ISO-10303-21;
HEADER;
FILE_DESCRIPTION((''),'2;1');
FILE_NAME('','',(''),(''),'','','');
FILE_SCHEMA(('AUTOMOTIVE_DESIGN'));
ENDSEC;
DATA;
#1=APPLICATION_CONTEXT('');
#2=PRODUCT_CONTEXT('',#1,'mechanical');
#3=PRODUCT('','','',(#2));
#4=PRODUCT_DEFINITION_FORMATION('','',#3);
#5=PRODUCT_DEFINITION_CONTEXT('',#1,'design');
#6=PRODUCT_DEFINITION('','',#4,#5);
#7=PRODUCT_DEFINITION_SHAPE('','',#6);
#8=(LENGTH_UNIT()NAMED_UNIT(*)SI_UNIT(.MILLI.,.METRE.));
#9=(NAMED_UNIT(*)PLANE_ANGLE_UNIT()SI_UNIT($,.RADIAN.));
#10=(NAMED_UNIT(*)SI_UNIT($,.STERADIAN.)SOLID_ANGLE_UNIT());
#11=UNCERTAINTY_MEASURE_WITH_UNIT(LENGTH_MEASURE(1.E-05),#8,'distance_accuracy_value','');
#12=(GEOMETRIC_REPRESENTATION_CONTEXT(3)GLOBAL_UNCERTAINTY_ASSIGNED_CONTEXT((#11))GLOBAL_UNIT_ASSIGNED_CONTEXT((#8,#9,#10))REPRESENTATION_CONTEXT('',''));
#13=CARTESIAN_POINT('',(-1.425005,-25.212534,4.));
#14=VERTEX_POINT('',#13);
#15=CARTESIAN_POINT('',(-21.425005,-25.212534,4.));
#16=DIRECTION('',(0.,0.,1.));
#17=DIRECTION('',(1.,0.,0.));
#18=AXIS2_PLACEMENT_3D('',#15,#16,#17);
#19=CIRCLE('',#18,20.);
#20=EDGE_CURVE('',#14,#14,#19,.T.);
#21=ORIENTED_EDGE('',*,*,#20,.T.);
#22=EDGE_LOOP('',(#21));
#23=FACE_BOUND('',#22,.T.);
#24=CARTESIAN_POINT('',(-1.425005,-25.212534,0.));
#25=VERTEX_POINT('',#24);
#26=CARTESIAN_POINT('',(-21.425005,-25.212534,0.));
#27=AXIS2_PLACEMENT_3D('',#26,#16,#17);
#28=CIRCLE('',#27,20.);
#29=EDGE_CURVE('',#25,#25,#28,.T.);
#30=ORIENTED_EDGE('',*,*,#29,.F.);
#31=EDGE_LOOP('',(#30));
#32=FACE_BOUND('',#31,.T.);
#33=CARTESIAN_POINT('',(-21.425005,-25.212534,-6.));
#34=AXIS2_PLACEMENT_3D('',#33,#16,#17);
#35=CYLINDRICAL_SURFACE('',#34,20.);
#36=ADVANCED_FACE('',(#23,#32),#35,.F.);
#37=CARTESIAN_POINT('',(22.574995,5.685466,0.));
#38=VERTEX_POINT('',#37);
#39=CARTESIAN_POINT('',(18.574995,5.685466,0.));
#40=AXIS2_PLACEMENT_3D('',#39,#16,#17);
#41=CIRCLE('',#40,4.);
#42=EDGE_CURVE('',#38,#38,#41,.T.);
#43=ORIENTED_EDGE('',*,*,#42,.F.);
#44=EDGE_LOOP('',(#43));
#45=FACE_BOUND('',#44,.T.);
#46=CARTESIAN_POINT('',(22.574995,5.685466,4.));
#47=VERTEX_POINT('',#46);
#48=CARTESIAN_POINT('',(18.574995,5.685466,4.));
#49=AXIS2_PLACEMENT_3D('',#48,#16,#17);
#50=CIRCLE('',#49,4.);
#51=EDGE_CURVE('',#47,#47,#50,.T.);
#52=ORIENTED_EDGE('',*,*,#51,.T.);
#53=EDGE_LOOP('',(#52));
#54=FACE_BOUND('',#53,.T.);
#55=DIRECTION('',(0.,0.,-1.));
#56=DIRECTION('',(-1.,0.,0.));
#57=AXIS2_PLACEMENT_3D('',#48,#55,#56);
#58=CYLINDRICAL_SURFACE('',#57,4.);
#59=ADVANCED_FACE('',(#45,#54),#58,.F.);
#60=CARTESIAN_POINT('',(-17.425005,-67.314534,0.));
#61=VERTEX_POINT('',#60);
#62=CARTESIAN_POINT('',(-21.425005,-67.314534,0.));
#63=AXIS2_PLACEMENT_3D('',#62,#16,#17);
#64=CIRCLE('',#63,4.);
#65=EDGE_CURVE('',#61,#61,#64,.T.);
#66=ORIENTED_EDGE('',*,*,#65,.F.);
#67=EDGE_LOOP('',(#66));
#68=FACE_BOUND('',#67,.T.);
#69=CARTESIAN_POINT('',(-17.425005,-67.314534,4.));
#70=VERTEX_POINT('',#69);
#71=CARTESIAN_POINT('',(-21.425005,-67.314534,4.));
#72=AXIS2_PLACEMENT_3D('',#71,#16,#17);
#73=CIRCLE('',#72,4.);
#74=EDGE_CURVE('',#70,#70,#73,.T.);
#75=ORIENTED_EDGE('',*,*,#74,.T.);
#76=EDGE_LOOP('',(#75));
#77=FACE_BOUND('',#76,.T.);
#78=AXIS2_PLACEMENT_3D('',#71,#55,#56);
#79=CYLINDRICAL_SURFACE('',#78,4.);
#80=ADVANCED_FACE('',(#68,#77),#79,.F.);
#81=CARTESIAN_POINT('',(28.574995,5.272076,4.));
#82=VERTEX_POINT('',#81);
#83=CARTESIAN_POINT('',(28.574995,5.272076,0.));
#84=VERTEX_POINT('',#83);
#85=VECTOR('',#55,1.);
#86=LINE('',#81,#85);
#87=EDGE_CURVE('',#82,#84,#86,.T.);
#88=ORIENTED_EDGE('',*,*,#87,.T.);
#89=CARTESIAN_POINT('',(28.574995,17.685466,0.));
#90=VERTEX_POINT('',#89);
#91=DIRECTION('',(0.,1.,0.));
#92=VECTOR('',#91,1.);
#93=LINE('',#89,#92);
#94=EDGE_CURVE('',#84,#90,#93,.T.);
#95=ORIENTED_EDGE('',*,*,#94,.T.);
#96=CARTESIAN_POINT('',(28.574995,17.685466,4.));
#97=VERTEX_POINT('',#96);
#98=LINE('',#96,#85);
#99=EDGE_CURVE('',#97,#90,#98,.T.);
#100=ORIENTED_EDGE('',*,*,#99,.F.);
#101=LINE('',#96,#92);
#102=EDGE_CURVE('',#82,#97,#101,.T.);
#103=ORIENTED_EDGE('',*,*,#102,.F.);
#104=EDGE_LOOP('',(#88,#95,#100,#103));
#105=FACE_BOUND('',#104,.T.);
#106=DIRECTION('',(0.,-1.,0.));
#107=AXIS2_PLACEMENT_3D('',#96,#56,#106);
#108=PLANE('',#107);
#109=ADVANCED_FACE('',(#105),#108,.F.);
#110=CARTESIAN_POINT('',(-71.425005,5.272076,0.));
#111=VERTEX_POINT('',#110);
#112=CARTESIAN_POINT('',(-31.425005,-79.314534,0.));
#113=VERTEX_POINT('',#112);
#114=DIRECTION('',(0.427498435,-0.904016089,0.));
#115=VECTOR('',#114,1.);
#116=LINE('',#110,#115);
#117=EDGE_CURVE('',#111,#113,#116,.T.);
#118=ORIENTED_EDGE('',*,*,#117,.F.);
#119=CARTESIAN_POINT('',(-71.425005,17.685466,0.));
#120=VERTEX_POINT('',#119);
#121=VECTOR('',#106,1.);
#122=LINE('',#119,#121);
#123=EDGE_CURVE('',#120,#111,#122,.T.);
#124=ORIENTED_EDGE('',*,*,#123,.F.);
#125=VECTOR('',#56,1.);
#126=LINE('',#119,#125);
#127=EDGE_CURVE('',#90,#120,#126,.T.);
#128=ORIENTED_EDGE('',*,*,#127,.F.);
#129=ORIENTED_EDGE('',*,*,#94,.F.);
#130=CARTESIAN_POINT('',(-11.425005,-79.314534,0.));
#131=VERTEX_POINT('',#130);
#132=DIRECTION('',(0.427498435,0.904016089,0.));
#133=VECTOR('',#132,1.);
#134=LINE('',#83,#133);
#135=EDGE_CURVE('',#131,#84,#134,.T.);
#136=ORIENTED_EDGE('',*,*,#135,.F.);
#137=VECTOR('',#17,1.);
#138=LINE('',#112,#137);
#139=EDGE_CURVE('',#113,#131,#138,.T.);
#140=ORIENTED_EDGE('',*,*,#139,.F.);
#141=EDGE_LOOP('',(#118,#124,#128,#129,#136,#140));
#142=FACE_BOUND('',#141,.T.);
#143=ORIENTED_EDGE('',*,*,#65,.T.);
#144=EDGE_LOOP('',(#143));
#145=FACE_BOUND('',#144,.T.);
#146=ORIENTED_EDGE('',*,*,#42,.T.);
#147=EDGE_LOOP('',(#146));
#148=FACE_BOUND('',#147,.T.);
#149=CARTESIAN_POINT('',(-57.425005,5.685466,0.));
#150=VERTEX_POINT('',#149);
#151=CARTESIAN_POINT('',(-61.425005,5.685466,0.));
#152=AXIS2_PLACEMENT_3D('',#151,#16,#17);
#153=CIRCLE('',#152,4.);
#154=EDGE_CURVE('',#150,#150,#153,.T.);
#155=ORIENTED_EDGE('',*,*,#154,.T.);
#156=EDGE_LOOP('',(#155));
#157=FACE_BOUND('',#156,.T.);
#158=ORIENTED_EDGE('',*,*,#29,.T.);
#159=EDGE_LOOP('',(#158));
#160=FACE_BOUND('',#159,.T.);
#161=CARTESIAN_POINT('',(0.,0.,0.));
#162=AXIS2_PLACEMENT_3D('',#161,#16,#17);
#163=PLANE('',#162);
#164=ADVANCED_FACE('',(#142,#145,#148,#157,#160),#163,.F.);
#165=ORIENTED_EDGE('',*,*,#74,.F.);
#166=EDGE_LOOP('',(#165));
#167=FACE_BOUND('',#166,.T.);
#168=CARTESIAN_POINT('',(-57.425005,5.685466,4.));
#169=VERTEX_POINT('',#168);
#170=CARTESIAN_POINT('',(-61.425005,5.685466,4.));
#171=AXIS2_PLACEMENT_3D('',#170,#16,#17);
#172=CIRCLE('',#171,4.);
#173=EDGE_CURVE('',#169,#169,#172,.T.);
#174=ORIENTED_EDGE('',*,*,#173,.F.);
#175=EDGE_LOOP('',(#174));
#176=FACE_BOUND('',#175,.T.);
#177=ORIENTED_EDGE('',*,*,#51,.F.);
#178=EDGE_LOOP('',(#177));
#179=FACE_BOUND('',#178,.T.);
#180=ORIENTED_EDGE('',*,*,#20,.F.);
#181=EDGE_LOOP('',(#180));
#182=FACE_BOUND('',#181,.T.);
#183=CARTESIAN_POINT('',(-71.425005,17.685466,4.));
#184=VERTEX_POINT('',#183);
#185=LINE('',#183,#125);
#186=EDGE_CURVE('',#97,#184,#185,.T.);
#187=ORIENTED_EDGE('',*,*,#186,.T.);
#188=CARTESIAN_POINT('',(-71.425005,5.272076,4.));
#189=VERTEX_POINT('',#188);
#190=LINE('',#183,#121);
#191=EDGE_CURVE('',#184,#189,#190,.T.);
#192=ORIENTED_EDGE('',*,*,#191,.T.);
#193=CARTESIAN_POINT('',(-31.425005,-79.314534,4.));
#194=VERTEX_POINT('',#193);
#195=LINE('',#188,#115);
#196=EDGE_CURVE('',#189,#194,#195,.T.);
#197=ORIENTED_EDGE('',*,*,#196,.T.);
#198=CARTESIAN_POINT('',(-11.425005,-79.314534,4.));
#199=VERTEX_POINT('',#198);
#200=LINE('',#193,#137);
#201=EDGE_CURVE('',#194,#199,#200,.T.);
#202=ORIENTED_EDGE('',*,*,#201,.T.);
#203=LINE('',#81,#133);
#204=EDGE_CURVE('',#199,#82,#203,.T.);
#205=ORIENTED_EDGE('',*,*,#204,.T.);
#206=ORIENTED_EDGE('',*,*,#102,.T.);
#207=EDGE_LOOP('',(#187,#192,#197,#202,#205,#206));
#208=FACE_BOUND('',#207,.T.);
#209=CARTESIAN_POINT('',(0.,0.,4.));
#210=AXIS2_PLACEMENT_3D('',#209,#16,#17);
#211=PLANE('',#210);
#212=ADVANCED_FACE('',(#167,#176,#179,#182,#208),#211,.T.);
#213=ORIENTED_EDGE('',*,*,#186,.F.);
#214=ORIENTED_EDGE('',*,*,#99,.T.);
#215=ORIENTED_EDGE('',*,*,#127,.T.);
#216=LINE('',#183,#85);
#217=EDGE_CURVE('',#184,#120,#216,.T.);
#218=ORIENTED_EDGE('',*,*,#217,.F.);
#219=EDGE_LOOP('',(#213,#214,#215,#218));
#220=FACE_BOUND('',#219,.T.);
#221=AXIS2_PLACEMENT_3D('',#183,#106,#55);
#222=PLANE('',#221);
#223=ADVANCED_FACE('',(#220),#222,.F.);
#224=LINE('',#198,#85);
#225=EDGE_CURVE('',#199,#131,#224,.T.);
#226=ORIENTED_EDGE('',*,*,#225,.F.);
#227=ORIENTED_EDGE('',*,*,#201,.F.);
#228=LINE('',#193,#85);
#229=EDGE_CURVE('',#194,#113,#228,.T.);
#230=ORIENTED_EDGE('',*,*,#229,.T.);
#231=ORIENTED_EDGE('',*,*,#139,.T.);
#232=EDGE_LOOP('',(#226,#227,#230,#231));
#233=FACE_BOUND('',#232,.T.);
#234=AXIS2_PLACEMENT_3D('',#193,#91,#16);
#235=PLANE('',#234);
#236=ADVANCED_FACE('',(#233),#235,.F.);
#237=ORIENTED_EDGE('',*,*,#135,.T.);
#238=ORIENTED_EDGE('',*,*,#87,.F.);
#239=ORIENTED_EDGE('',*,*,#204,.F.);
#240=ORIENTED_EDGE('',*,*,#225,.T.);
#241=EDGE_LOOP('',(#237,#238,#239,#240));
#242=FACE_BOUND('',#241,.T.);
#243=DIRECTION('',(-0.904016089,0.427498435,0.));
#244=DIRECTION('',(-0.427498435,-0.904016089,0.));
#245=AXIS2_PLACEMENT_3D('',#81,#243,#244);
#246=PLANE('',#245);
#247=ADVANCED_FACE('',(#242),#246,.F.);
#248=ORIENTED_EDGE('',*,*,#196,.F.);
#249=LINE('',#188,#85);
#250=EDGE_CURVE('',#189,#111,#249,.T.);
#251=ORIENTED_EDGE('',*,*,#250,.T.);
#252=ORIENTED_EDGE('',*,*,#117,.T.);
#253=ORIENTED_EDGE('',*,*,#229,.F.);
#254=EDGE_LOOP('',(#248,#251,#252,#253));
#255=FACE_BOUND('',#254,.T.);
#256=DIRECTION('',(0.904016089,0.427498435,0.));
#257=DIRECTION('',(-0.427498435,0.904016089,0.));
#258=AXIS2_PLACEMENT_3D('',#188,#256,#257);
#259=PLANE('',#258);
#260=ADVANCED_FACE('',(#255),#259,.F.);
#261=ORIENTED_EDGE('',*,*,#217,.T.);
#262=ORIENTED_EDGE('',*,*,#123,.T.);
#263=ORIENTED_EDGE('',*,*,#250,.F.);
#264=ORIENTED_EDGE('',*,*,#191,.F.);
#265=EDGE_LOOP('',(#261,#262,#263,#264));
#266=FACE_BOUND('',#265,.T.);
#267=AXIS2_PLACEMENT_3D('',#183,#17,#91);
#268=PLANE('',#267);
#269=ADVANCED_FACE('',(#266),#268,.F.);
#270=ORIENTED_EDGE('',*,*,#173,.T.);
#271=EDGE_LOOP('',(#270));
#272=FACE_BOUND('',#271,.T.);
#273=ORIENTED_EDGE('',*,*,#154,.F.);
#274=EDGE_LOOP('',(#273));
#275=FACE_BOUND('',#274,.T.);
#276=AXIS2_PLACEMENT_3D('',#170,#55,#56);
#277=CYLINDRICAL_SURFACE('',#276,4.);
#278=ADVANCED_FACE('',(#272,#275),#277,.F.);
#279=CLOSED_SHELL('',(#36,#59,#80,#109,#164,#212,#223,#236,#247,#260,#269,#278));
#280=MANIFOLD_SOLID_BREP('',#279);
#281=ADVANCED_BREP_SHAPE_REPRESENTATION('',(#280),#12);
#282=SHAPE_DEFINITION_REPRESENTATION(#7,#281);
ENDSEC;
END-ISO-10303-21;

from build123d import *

# Parameters (mm, degrees)
SKETCH1_R           = 4
BOSS_EXTRUDE1_DEPTH = 4
SKETCH2_R           = 20
CUT_EXTRUDE1_DEPTH  = 10


with BuildPart() as part:
    # Sketch1 → Boss-Extrude1 (new body)
    with BuildSketch(Plane.XY):
        Polygon((-71.425004503, 17.68546584), (28.574995497, 17.68546584), (28.574995497, 5.27207622), (-11.425004503, -79.31453416), (-31.425004503, -79.31453416), (-71.425004503, 5.27207622), align=None)
        with Locations((-61.425004503, 5.68546584)):
            Circle(SKETCH1_R, mode=Mode.SUBTRACT)
        with Locations((18.574995497, 5.68546584)):
            Circle(SKETCH1_R, mode=Mode.SUBTRACT)
        with Locations((-21.425004503, -67.31453416)):
            Circle(SKETCH1_R, mode=Mode.SUBTRACT)
    extrude(amount=BOSS_EXTRUDE1_DEPTH)

    # Sketch2 → Cut-Extrude1 (cut)
    with BuildSketch(Plane.XY.offset(4)):
        with Locations((-21.425004503, -25.21253416)):
            Circle(SKETCH2_R)
    extrude(amount=-CUT_EXTRUDE1_DEPTH, mode=Mode.SUBTRACT)


solid = part.part
